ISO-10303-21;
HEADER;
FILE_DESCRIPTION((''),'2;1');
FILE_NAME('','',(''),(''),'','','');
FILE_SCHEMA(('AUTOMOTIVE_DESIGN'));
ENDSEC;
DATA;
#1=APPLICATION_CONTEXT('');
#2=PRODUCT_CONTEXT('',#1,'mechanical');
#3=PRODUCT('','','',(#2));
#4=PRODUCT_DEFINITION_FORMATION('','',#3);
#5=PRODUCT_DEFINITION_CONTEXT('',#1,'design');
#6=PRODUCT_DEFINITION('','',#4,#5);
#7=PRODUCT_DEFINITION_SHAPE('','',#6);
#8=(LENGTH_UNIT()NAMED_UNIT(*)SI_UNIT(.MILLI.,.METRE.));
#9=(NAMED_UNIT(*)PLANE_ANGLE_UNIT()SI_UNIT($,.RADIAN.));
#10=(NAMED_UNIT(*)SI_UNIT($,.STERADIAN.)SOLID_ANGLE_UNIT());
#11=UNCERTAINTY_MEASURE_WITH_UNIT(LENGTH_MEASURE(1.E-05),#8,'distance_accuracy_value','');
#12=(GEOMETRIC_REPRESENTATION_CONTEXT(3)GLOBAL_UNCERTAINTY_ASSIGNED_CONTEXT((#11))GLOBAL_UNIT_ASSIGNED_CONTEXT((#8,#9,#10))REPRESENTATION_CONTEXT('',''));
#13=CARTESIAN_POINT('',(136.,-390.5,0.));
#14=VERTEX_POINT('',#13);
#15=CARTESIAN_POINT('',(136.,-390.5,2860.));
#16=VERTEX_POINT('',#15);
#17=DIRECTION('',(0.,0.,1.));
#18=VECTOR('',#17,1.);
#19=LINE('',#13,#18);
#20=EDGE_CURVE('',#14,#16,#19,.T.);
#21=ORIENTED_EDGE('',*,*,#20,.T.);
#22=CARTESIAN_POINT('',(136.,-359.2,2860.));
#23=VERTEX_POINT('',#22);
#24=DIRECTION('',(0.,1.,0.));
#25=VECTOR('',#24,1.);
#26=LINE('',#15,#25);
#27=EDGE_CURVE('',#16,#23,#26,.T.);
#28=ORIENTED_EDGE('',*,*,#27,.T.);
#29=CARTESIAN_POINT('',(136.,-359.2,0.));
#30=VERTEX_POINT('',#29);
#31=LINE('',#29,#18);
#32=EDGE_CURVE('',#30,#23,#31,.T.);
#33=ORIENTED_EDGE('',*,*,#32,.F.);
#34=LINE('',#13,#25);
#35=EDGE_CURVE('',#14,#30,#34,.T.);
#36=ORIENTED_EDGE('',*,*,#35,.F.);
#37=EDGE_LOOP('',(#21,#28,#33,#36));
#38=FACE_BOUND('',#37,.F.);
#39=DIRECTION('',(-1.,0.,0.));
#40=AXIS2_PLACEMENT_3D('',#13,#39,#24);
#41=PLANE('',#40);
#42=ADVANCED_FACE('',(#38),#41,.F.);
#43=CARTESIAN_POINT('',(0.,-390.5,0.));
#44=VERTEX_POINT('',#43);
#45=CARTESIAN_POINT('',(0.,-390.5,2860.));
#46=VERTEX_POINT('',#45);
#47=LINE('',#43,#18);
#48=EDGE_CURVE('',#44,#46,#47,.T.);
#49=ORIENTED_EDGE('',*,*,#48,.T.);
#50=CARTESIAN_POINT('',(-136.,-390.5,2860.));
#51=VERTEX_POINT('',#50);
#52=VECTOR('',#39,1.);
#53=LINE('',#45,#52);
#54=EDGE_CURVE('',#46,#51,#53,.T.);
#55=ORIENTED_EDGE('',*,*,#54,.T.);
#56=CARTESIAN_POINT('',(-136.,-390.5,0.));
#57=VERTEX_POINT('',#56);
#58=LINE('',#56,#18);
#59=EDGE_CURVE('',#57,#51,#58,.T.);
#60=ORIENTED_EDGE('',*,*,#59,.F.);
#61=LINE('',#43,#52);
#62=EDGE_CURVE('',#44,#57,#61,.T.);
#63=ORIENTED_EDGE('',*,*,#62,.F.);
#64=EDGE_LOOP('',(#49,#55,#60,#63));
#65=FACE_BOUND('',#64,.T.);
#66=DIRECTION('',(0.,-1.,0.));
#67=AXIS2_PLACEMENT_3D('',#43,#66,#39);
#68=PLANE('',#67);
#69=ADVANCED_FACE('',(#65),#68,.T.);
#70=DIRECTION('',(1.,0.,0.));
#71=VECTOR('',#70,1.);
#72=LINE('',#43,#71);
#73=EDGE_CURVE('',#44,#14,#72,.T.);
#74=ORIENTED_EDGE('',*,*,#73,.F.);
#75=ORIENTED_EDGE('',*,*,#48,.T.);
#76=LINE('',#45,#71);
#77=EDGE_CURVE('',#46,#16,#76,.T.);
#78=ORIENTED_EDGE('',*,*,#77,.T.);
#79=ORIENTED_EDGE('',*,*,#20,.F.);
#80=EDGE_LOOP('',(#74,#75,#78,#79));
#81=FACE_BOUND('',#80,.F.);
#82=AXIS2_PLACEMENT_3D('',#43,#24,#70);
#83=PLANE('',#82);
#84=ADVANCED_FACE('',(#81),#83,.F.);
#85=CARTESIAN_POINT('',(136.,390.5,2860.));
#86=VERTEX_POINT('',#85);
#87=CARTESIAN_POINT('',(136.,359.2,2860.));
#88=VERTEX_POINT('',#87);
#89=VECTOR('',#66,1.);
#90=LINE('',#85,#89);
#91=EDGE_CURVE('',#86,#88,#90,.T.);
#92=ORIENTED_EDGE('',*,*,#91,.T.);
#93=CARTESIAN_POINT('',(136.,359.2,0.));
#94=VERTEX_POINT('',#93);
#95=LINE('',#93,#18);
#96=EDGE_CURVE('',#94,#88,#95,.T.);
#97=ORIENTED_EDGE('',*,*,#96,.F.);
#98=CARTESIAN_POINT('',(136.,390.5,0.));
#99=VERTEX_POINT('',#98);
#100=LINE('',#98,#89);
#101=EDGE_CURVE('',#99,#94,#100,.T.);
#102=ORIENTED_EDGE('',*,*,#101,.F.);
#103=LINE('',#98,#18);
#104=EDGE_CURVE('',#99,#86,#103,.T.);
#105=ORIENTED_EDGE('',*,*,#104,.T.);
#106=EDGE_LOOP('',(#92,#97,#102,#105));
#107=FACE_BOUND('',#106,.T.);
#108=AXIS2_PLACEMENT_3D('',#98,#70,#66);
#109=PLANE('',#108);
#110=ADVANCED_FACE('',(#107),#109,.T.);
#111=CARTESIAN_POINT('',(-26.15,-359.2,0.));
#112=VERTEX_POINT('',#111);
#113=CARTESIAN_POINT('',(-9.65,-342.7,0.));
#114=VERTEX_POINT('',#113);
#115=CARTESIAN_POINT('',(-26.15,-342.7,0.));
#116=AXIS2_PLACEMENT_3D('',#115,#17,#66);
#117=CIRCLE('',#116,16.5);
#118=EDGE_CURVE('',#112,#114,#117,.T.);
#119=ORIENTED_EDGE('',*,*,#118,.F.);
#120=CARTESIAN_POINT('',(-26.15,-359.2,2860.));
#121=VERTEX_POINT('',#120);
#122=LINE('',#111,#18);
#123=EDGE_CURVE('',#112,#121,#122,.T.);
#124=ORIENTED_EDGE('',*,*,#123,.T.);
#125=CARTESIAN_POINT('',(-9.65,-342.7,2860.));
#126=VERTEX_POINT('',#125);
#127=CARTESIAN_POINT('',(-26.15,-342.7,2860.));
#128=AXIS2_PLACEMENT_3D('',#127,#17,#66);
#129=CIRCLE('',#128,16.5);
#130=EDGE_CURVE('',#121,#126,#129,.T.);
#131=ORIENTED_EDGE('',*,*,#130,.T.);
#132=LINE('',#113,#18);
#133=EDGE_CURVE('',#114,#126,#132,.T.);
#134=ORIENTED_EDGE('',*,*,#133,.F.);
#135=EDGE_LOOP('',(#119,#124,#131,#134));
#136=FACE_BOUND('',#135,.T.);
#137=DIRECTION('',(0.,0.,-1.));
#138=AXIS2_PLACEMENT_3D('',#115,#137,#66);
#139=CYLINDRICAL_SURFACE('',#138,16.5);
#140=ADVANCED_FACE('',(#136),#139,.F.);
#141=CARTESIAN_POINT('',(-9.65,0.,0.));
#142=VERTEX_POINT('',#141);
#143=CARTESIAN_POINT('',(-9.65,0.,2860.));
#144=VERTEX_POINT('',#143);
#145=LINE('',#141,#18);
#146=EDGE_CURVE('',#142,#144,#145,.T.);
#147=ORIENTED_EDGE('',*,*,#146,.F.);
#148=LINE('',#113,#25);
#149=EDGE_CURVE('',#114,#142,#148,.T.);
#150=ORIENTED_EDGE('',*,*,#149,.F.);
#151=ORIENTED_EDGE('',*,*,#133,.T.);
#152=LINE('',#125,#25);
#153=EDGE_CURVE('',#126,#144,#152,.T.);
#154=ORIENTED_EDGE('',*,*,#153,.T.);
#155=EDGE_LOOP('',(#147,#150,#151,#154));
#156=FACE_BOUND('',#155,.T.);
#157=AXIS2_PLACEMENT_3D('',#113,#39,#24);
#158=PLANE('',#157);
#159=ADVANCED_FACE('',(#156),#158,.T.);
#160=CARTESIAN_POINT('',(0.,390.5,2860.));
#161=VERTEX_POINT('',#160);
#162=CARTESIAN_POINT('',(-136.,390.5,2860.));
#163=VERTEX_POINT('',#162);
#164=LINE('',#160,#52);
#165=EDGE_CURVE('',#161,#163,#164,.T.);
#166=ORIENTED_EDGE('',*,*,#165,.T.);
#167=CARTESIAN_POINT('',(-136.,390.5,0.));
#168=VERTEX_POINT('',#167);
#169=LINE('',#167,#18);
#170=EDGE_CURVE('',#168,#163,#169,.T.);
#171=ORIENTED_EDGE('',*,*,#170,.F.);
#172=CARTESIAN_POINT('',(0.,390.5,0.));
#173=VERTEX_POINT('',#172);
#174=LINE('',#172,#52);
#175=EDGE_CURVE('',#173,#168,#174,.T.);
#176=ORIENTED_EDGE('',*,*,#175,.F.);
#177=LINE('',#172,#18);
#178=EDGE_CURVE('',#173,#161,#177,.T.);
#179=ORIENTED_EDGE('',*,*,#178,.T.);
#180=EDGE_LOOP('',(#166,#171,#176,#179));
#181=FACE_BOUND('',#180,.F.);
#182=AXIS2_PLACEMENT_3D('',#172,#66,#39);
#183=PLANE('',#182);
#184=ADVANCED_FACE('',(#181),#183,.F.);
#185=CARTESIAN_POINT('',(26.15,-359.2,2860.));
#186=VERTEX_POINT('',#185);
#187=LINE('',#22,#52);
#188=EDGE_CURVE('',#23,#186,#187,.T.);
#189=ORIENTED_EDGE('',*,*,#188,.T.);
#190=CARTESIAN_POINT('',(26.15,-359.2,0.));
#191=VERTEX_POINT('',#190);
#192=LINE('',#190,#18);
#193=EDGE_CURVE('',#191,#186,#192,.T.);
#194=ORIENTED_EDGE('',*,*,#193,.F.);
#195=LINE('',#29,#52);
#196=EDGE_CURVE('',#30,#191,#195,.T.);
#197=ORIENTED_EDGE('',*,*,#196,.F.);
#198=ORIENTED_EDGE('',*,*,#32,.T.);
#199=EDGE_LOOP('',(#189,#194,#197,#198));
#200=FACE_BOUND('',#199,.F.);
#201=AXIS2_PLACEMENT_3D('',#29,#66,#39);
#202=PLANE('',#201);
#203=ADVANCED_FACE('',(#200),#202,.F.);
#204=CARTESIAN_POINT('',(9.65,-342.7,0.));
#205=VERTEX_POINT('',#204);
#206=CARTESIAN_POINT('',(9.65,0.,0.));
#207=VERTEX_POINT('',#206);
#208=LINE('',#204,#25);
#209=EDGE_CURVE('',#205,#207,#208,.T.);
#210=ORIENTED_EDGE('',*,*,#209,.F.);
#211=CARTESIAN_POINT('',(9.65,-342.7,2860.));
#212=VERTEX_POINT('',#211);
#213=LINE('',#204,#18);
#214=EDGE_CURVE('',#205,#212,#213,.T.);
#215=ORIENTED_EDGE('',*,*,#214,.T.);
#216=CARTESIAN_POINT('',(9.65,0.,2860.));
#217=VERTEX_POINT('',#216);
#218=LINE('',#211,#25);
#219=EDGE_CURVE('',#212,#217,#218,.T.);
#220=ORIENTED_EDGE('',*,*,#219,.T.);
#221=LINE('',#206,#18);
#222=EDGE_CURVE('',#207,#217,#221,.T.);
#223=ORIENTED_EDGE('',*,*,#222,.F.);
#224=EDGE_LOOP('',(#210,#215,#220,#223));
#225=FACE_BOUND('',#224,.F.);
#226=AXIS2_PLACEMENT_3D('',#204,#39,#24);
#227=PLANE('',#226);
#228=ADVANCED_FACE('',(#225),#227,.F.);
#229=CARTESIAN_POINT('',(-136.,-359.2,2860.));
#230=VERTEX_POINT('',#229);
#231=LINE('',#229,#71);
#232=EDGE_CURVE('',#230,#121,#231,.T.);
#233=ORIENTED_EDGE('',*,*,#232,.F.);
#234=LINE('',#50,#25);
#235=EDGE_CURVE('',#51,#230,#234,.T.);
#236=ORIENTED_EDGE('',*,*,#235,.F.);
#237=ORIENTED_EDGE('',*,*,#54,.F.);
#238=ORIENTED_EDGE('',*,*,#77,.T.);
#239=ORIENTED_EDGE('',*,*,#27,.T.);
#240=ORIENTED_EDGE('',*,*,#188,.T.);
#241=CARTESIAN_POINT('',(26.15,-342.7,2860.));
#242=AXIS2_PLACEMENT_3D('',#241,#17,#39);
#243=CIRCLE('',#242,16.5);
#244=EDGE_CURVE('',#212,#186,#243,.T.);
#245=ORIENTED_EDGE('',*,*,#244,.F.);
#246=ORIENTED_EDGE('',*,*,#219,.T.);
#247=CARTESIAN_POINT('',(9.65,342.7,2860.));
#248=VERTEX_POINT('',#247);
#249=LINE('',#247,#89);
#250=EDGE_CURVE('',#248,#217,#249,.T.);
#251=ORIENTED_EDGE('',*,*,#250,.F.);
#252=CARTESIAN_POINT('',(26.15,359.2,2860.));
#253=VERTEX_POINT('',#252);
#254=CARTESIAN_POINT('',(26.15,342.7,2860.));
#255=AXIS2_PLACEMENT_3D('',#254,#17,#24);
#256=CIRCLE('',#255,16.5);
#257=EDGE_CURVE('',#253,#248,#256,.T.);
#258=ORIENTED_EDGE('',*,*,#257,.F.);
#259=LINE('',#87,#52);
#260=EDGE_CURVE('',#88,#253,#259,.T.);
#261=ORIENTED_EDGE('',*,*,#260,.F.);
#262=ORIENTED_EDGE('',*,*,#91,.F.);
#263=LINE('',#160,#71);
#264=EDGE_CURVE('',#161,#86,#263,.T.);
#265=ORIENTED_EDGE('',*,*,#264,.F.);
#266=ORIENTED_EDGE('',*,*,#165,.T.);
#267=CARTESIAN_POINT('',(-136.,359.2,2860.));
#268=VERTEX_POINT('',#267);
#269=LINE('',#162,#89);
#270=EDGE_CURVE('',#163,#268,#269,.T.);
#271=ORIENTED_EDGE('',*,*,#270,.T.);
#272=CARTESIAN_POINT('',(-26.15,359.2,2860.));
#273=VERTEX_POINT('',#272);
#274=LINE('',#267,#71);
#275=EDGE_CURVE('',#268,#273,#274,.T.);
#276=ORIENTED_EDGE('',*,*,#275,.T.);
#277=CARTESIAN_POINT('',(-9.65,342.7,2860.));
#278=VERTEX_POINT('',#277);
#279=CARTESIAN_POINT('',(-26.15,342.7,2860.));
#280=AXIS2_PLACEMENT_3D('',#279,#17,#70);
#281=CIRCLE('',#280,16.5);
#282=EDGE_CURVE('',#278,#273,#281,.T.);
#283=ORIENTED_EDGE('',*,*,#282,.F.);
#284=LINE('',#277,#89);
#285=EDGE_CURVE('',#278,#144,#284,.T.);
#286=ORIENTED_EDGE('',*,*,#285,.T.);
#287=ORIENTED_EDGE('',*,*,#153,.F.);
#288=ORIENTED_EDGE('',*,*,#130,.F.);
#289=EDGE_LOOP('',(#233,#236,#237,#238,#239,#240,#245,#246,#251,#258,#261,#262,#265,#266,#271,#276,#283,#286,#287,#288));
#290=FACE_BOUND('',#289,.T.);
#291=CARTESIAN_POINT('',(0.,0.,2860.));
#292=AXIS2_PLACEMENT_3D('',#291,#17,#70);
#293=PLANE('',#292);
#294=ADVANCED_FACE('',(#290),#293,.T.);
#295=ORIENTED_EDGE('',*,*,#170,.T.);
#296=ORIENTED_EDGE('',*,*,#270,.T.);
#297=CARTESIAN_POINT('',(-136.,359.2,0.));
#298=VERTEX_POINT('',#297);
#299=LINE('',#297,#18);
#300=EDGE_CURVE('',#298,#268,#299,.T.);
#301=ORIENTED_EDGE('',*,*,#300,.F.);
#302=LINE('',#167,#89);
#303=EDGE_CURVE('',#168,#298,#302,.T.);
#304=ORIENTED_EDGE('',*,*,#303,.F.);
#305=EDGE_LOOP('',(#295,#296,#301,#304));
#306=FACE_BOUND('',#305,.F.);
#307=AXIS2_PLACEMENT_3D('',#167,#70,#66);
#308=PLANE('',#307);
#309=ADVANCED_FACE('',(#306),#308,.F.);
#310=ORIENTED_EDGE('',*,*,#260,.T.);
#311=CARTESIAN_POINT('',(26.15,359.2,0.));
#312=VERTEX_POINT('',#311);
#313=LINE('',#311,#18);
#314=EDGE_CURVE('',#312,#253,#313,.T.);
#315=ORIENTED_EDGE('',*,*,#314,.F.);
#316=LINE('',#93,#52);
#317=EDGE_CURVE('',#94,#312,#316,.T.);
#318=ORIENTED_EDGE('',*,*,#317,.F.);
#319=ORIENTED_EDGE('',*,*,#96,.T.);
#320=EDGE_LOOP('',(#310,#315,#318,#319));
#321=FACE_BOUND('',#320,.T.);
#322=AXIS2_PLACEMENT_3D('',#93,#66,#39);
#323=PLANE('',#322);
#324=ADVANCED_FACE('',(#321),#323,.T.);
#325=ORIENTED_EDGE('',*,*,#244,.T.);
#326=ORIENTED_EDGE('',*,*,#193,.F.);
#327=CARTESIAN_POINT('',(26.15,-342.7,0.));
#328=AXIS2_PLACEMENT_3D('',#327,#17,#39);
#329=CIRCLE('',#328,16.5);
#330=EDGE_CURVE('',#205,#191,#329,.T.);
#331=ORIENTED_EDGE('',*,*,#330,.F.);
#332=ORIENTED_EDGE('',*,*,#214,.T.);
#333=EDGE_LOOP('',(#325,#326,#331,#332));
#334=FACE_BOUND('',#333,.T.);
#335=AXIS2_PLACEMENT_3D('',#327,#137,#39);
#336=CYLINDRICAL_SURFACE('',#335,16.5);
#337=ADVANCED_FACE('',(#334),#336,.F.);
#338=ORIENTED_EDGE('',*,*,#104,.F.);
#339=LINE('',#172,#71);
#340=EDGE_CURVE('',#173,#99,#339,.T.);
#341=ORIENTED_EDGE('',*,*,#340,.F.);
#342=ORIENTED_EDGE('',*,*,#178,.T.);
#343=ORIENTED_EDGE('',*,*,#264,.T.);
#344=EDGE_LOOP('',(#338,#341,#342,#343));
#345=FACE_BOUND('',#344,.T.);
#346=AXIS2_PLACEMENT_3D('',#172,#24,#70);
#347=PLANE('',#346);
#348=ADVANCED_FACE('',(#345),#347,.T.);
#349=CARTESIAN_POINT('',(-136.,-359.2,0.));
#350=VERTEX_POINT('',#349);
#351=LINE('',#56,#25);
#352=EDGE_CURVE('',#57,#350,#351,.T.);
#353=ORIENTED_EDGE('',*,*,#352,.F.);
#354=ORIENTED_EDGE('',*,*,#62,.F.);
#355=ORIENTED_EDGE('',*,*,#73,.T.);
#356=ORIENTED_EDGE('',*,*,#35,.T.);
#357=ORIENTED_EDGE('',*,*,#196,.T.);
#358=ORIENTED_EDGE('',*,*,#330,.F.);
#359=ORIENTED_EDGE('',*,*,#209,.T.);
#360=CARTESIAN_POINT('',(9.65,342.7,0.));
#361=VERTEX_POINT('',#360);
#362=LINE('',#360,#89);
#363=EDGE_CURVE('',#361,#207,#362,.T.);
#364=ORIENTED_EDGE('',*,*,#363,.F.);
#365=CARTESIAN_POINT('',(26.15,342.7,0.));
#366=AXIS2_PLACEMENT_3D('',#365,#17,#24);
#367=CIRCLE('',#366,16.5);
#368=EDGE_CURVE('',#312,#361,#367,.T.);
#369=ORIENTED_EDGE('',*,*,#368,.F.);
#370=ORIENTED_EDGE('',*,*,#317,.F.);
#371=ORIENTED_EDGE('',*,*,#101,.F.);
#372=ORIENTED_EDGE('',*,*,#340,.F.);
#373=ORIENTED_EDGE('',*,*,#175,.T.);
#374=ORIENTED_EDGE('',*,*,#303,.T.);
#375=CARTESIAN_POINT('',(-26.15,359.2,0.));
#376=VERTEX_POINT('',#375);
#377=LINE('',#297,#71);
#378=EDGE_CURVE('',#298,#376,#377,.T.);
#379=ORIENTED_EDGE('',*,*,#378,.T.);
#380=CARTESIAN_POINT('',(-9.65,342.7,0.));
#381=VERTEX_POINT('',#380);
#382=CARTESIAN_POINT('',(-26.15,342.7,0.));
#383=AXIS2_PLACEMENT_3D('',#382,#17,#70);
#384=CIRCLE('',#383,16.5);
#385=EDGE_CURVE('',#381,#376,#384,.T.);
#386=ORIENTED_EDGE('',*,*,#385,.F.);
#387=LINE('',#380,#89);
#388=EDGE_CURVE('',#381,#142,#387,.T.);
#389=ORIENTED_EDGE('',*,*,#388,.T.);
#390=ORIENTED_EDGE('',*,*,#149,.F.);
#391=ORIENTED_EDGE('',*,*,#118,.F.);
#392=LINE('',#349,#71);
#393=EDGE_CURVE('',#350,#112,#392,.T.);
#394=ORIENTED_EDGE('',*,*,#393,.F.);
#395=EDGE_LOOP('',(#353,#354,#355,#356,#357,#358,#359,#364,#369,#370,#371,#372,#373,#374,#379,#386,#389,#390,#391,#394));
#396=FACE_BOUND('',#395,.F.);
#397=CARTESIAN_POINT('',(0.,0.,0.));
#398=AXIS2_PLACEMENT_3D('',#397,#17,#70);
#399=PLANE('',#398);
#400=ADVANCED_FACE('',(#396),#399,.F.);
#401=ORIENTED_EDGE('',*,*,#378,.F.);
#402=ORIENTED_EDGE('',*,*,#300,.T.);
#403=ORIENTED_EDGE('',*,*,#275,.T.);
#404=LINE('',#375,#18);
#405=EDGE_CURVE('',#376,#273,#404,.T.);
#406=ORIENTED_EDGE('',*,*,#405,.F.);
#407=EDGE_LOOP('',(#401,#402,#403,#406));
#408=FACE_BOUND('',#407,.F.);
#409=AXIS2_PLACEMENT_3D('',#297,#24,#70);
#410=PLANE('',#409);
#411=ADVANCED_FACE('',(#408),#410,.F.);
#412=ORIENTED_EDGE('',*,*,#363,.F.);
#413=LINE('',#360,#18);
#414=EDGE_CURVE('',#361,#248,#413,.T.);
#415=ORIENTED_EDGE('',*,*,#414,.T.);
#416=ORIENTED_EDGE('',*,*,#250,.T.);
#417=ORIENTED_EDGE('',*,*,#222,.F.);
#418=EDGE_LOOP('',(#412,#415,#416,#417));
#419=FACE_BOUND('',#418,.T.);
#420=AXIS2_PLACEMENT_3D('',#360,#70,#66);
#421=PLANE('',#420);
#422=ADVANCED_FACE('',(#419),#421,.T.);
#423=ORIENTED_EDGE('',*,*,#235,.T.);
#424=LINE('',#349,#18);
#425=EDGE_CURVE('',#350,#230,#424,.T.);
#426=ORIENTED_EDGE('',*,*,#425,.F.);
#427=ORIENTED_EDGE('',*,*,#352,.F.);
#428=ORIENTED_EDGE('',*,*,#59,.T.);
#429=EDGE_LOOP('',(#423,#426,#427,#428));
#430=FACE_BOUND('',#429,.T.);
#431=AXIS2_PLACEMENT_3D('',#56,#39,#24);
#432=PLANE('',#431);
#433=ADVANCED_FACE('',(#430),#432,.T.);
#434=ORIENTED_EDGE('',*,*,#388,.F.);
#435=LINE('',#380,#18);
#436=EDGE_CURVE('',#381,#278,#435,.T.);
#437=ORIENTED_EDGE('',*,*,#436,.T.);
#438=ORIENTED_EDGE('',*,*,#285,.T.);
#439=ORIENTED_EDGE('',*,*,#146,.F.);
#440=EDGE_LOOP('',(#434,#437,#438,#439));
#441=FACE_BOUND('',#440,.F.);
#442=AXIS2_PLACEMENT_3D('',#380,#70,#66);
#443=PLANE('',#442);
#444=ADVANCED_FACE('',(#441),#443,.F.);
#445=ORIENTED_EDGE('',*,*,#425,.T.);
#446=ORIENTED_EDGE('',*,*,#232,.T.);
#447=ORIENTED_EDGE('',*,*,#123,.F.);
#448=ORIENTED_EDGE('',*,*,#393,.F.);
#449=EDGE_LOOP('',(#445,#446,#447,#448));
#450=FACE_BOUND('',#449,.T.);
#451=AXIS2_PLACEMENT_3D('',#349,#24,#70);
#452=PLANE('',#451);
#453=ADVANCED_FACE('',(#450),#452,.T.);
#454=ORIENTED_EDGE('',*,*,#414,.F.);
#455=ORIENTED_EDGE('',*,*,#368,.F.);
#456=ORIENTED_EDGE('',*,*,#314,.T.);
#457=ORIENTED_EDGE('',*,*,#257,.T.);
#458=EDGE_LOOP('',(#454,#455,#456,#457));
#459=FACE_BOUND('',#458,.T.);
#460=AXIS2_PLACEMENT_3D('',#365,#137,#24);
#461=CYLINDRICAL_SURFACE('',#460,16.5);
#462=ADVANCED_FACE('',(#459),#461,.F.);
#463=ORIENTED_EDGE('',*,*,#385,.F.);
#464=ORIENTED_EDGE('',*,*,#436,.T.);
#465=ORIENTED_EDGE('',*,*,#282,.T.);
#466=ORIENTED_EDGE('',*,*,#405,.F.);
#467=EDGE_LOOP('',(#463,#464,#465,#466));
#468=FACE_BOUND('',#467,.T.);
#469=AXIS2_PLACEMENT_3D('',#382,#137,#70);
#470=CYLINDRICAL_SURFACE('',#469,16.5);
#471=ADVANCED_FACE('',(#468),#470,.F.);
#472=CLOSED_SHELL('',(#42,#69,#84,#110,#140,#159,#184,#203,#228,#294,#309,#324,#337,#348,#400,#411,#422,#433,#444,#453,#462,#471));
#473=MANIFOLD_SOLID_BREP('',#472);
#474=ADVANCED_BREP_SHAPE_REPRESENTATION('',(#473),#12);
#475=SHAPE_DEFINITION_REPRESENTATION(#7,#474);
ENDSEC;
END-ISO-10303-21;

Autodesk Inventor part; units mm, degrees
ref_plane "YZ Plane" through (0, 0, 0) normal (1, 0, 0) x (0, 1, 0)
ref_plane "Start plane" through (0, 0, 0) normal (0, 0, 1) x (1, 0, 0)
ref_plane "End plane" through (0, 0, 2860) normal (0, 0, 1) x (1, 0, 0)
sketch "Sketch" plane through (0, 0, 0) normal (0, 0, 1) x (1, 0, 0)
  line L0 (-136, -390.5) -> (-136, -359.2)
  line L1 (-136, -359.2) -> (-26.15, -359.2)
  line L2 (-9.65, -342.7) -> (-9.65, 0)
  line L3 (-9.65, 0) -> (0, 0) construction
  line L4 (0, 0) -> (0, -390.5) construction
  line L5 (0, -390.5) -> (-136, -390.5)
  line L6 (-60, 0) -> (80, 0) construction
  line L7 (0, -60) -> (0, 80) construction
  line L8 (136, -390.5) -> (136, -359.2)
  line L9 (136, -359.2) -> (26.15, -359.2)
  line L10 (9.65, -342.7) -> (9.65, 0)
  line L11 (9.65, 0) -> (0, 0) construction
  line L12 (0, -390.5) -> (136, -390.5)
  line L13 (-136, 390.5) -> (-136, 359.2)
  line L14 (-136, 359.2) -> (-26.15, 359.2)
  line L15 (-9.65, 342.7) -> (-9.65, 0)
  line L16 (0, 390.5) -> (-136, 390.5)
  line L17 (136, 390.5) -> (136, 359.2)
  line L18 (136, 359.2) -> (26.15, 359.2)
  line L19 (0, 390.5) -> (136, 390.5)
  line L20 (9.65, 342.7) -> (9.65, 0)
  arc A0 (-9.65, 342.7) -> (-26.15, 359.2) centre (-26.15, 342.7) ccw
  arc A1 (26.15, 359.2) -> (9.65, 342.7) centre (26.15, 342.7) ccw
  arc A2 (9.65, -342.7) -> (26.15, -359.2) centre (26.15, -342.7) ccw
  arc A3 (-26.15, -359.2) -> (-9.65, -342.7) centre (-26.15, -342.7) ccw
  line L21 (0, 108) -> (0, -88) construction
  line L22 (-88, 0) -> (108, 0) construction
  point P0 (-9.65, -359.2)
  point P1 (9.65, -359.2)
  point P2 (-9.65, 359.2)
  point P3 (9.65, 359.2)
  dimension "d1" = 390.5
  dimension "d2" = 31.3
  dimension "d3" = 136
  dimension "d4" = 9.65
  dimension "d10" = 16.5
extrude "Body" add sketch "Sketch" along normal up to surface (2860 mm away) from surface at 0
sketch "Sketch4" plane through (0, 0, 0) normal (0, 0, 1) x (1, 0, 0)
  line L0 (0, 0) -> (10, 0)
ref_plane "Work Plane3" through (0, 0, 0) normal (0, -1, 0) x (1, 0, 0)
sketch "Sketch5" plane through (0, 0, 0) normal (0, -1, 0) x (1, 0, 0)
  line L0 (-2, 0) -> (12, 0) projected
  line L1 (-2, 2860) -> (12, 2860) projected
  dimension "d14" = 2860
equation "\"d1\" = 0.5 * G_H"
equation "\"d2\" = G_T1"
equation "\"d3\" = 0.5 * G_W"
equation "\"d4\" = 0.5 * G_T"
equation "\"d10\" = G_IR"
equation "\"d5\" = G_L"
equation "\"G_W\" = 272"
equation "\"G_H\" = 781"
equation "\"G_T\" = 19.3"
equation "\"G_T1\" = 31.3"
equation "\"G_IR\" = 16.5"
equation "\"G_L\" = d14"
equation "\"G_OFFSET_START\" = 0"
equation "\"G_OFFSET_END\" = 0"
properties part number "AS 3679-1990 - 760 UB - 244 - 2860" material "Steel, Mild"
